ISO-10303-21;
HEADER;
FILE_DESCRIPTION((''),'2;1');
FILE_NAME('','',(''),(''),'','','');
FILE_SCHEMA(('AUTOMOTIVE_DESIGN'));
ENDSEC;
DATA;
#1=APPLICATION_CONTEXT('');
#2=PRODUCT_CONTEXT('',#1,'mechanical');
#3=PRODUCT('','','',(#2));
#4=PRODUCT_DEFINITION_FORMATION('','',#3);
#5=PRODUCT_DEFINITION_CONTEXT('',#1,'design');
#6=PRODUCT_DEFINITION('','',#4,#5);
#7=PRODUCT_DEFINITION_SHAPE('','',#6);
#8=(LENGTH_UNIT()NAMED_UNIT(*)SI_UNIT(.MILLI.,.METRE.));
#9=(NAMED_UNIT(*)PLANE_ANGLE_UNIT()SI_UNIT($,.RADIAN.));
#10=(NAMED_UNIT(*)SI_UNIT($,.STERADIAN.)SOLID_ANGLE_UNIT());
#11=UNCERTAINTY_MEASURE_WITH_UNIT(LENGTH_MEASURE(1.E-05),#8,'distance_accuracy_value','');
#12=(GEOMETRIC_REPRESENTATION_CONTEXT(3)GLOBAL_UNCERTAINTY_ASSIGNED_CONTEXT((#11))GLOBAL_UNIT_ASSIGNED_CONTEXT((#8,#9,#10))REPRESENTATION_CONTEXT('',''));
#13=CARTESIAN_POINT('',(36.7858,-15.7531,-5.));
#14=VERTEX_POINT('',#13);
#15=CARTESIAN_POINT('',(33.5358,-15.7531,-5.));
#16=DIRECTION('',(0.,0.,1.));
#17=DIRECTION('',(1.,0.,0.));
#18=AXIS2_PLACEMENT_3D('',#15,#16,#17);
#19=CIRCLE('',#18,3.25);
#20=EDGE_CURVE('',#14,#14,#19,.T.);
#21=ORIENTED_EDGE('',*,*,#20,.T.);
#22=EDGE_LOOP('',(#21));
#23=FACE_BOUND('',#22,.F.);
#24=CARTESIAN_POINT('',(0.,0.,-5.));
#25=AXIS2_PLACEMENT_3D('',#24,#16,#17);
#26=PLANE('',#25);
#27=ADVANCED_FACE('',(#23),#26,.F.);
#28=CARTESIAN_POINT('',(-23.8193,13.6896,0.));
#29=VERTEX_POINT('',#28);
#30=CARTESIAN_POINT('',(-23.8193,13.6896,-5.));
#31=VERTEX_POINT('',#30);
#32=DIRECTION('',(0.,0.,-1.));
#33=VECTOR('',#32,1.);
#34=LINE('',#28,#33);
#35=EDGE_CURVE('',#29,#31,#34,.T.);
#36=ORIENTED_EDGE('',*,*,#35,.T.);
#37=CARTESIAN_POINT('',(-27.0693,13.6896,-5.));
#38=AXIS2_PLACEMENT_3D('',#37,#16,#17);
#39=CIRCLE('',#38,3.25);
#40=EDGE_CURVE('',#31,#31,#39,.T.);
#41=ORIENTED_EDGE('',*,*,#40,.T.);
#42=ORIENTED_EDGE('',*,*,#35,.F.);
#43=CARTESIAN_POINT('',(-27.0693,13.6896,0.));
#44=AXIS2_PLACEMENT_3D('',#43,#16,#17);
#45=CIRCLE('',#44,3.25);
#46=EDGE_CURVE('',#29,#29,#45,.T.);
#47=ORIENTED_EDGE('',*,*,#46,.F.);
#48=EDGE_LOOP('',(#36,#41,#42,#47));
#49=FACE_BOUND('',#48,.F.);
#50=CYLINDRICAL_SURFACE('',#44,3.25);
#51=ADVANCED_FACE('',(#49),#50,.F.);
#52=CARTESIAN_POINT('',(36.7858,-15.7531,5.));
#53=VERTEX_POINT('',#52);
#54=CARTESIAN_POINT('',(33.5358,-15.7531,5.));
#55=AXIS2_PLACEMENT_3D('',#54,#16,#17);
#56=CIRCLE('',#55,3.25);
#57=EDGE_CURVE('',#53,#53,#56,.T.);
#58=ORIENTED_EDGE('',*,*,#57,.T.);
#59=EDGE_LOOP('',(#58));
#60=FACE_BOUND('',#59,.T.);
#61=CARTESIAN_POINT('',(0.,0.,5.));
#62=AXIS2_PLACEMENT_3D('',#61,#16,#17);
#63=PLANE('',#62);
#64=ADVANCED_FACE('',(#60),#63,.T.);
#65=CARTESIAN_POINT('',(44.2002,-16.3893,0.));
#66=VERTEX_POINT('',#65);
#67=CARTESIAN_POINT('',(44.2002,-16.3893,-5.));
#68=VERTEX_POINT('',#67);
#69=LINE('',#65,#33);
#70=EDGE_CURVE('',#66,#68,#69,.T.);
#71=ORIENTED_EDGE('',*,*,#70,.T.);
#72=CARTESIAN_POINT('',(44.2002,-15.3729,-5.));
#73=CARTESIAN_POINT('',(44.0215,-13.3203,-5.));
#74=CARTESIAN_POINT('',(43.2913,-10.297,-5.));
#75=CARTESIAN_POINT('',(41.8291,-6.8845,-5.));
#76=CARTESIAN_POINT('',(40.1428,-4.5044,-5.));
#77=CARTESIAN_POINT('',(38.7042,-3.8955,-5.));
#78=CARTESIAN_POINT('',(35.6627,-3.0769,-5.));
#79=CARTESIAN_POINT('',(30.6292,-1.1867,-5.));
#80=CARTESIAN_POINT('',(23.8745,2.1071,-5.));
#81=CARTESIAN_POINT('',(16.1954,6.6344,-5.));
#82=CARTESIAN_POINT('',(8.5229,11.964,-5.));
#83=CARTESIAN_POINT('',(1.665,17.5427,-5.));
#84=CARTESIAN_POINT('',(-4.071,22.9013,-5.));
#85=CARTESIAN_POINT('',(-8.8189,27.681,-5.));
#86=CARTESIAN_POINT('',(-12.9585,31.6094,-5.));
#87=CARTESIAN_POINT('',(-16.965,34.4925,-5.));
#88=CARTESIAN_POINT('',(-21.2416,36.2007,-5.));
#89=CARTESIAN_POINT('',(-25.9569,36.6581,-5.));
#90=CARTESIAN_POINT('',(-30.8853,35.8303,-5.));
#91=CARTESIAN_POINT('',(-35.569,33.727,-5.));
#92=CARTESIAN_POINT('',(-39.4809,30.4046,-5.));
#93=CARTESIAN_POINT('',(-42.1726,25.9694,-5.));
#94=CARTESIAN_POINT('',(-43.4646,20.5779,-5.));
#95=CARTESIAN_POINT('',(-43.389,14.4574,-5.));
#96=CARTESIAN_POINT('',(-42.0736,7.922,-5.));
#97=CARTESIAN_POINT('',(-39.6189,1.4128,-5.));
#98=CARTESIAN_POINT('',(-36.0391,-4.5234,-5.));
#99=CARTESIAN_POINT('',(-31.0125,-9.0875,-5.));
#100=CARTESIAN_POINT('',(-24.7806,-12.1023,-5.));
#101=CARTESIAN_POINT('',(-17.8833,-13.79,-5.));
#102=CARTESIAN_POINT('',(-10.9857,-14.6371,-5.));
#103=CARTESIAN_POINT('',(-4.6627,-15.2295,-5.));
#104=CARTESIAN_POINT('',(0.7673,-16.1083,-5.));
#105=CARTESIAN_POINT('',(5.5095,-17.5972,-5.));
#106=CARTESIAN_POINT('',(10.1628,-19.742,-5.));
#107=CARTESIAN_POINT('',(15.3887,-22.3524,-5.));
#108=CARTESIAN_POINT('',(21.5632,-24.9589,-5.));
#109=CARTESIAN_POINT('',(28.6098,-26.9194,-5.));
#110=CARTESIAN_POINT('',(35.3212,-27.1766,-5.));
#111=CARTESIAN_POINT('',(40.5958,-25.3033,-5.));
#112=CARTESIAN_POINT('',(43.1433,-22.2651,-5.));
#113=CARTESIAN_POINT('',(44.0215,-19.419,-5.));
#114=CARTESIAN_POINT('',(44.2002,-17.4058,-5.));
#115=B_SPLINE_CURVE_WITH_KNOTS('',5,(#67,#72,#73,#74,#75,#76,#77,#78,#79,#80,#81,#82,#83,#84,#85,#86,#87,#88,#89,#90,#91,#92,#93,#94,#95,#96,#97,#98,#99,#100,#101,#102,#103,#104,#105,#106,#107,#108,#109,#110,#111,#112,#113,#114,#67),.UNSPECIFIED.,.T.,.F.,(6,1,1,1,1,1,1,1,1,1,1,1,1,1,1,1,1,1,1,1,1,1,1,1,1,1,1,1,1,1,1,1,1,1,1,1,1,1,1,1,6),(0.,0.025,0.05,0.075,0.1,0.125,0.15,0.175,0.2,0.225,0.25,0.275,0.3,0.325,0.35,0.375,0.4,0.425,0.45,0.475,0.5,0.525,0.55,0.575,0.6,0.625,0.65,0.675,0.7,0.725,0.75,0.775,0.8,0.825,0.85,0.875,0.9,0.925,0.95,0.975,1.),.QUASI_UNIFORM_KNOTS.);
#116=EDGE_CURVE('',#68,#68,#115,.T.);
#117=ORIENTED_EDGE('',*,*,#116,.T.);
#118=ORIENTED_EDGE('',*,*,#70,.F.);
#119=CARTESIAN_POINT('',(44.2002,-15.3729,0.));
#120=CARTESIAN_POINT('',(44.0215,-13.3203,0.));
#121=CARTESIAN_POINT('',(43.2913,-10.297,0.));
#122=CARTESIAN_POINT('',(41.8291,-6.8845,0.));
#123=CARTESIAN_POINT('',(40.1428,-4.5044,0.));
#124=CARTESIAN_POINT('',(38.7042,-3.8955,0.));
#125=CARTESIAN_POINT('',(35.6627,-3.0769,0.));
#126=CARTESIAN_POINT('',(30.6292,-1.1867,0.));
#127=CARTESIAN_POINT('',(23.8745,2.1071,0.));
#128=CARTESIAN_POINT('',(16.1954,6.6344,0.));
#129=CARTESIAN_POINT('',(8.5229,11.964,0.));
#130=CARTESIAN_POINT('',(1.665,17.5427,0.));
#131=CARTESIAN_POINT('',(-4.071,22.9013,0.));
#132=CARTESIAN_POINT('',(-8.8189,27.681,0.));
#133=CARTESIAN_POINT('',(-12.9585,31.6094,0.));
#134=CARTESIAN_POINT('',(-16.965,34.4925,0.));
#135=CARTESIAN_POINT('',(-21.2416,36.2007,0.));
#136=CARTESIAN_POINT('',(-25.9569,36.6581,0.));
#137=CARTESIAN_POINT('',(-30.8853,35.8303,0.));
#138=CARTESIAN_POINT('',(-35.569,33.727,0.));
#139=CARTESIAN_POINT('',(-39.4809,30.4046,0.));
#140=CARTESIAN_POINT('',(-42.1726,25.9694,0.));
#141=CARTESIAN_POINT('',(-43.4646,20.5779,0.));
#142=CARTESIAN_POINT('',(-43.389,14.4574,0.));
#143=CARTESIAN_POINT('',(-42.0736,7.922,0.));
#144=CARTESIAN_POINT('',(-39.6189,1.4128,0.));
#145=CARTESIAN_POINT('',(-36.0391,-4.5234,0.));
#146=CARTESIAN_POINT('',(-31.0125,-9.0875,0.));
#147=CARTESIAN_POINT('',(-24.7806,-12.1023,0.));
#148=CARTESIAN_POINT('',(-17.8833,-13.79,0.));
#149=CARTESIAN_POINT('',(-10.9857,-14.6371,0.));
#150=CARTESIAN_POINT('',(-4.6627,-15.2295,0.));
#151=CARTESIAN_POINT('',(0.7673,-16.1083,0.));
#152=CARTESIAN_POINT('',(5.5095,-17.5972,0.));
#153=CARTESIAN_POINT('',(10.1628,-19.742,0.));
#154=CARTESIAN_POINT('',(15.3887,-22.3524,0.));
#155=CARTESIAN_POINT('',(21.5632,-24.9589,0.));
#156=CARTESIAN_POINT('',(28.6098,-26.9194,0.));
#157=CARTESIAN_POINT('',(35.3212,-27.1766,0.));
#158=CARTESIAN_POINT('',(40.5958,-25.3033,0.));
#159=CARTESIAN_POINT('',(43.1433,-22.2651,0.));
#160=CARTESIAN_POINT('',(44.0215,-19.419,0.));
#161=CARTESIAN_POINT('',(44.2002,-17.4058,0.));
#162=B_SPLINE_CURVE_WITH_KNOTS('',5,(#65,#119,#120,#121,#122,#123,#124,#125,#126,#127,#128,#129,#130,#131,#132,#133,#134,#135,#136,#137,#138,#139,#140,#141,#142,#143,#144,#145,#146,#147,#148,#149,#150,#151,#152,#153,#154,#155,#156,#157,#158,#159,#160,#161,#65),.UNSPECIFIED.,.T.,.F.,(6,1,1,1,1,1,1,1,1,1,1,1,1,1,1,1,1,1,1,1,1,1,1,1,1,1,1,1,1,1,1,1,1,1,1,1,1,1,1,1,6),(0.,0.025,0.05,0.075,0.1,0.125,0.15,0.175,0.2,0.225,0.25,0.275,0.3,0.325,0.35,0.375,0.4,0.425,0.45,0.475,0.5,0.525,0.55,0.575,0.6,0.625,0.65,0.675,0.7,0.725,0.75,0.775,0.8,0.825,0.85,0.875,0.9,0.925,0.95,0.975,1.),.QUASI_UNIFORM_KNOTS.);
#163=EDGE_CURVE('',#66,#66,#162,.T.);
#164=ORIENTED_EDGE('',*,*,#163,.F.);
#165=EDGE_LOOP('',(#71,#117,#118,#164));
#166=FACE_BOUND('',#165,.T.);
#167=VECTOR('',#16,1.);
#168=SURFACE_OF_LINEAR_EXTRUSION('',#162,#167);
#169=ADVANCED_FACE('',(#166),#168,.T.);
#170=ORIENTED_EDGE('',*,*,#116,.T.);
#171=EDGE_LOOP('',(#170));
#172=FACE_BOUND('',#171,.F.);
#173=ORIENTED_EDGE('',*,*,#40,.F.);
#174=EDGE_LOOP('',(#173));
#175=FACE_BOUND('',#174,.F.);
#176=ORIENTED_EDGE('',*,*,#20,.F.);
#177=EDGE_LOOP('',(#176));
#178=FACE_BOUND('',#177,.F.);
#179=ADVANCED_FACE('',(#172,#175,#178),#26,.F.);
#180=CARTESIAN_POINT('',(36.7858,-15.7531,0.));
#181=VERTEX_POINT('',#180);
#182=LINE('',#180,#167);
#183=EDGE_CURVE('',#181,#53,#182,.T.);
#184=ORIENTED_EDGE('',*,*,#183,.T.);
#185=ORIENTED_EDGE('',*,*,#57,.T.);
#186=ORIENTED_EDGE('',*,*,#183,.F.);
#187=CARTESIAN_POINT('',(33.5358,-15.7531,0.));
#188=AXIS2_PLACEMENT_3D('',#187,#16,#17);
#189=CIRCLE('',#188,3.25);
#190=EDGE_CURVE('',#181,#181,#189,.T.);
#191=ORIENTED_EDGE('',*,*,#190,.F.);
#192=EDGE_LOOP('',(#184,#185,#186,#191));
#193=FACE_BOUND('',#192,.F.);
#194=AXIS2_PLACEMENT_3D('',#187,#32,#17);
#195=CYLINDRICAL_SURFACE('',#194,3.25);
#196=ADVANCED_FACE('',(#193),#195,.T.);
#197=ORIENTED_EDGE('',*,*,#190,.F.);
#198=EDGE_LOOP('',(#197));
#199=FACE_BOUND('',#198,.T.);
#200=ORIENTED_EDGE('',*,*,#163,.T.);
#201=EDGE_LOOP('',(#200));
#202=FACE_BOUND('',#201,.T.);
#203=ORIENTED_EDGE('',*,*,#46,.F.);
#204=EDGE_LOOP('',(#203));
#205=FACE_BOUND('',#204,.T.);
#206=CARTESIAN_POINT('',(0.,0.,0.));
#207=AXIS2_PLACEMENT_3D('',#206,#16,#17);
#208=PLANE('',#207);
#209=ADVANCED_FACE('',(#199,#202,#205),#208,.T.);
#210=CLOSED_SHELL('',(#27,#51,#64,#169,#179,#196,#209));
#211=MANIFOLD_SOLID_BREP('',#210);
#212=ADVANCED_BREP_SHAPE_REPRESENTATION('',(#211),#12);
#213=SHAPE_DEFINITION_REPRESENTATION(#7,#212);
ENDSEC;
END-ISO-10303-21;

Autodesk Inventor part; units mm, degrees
ref_plane "YZ Plane" through (0, 0, 0) normal (1, 0, 0) x (0, 1, 0)
ref_plane "XZ Plane" through (0, 0, 0) normal (0, 1, 0) x (-1, 0, 0)
ref_plane "XY Plane" through (0, 0, 0) normal (0, 0, 1) x (1, 0, 0)
sketch "Sketch2" plane through (0, 0, 0) normal (0, 0, 1) x (1, 0, 0)
  circle A0 centre (-27.0693, 13.6896) radius 3.25
  circle A1 centre (33.5358, -15.7531) radius 3.25
  spline S0 degree 5 poles (44.2002, -16.3893) (44.2002, -15.3729) (44.0215, -13.3203) (43.2913, -10.297) (41.8291, -6.8845) (40.1428, -4.5044) (38.7042, -3.8955) (35.6627, -3.0769) (30.6292, -1.1867) (23.8745, 2.1071) (16.1954, 6.6344) (8.5229, 11.964) (1.665, 17.5427) (-4.071, 22.9013) (-8.8189, 27.681) (-12.9585, 31.6094) (-16.965, 34.4925) (-21.2416, 36.2007) (-25.9569, 36.6581) (-30.8853, 35.8303) (-35.569, 33.727) (-39.4809, 30.4046) (-42.1726, 25.9694) (-43.4646, 20.5779) (-43.389, 14.4574) (-42.0736, 7.922) (-39.6189, 1.4128) (-36.0391, -4.5234) (-31.0125, -9.0875) (-24.7806, -12.1023) (-17.8833, -13.79) (-10.9857, -14.6371) (-4.6627, -15.2295) (0.7673, -16.1083) (5.5095, -17.5972) (10.1628, -19.742) (15.3887, -22.3524) (21.5632, -24.9589) (28.6098, -26.9194) (35.3212, -27.1766) (40.5958, -25.3033) (43.1433, -22.2651) (44.0215, -19.419) (44.2002, -17.4058) (44.2002, -16.3893) knots 0 0 0 0 0 0 0.025 0.05 0.075 0.1 0.125 0.15 0.175 0.2 0.225 0.25 0.275 0.3 0.325 0.35 0.375 0.4 0.425 0.45 0.475 0.5 0.525 0.55 0.575 0.6 0.625 0.65 0.675 0.7 0.725 0.75 0.775 0.8 0.825 0.85 0.875 0.9 0.925 0.95 0.975 1 1 1 1 1 1 weights 1 1 1 1 1 1 1 1 1 1 1 1 1 1 1 1 1 1 1 1 1 1 1 1 1 1 1 1 1 1 1 1 1 1 1 1 1 1 1 1 1 1 1 1 1
  point P0 (0, 0)
  dimension "d4" = 6.5
extrude "Extrusion1" add sketch "Sketch2" against normal blind 5 contours A1 | S0
extrude "Extrusion2" add sketch "Sketch2" along normal blind 5 contours A1
equation "\"d4\" = R"
equation "\"d0\" = thickness"
equation "\"d2\" = thickness"
equation "\"R\" = 6.5"
equation "\"thickness\" = 5"
equation "\"width\" = 6.5"
equation "\"R1\" = 9"
